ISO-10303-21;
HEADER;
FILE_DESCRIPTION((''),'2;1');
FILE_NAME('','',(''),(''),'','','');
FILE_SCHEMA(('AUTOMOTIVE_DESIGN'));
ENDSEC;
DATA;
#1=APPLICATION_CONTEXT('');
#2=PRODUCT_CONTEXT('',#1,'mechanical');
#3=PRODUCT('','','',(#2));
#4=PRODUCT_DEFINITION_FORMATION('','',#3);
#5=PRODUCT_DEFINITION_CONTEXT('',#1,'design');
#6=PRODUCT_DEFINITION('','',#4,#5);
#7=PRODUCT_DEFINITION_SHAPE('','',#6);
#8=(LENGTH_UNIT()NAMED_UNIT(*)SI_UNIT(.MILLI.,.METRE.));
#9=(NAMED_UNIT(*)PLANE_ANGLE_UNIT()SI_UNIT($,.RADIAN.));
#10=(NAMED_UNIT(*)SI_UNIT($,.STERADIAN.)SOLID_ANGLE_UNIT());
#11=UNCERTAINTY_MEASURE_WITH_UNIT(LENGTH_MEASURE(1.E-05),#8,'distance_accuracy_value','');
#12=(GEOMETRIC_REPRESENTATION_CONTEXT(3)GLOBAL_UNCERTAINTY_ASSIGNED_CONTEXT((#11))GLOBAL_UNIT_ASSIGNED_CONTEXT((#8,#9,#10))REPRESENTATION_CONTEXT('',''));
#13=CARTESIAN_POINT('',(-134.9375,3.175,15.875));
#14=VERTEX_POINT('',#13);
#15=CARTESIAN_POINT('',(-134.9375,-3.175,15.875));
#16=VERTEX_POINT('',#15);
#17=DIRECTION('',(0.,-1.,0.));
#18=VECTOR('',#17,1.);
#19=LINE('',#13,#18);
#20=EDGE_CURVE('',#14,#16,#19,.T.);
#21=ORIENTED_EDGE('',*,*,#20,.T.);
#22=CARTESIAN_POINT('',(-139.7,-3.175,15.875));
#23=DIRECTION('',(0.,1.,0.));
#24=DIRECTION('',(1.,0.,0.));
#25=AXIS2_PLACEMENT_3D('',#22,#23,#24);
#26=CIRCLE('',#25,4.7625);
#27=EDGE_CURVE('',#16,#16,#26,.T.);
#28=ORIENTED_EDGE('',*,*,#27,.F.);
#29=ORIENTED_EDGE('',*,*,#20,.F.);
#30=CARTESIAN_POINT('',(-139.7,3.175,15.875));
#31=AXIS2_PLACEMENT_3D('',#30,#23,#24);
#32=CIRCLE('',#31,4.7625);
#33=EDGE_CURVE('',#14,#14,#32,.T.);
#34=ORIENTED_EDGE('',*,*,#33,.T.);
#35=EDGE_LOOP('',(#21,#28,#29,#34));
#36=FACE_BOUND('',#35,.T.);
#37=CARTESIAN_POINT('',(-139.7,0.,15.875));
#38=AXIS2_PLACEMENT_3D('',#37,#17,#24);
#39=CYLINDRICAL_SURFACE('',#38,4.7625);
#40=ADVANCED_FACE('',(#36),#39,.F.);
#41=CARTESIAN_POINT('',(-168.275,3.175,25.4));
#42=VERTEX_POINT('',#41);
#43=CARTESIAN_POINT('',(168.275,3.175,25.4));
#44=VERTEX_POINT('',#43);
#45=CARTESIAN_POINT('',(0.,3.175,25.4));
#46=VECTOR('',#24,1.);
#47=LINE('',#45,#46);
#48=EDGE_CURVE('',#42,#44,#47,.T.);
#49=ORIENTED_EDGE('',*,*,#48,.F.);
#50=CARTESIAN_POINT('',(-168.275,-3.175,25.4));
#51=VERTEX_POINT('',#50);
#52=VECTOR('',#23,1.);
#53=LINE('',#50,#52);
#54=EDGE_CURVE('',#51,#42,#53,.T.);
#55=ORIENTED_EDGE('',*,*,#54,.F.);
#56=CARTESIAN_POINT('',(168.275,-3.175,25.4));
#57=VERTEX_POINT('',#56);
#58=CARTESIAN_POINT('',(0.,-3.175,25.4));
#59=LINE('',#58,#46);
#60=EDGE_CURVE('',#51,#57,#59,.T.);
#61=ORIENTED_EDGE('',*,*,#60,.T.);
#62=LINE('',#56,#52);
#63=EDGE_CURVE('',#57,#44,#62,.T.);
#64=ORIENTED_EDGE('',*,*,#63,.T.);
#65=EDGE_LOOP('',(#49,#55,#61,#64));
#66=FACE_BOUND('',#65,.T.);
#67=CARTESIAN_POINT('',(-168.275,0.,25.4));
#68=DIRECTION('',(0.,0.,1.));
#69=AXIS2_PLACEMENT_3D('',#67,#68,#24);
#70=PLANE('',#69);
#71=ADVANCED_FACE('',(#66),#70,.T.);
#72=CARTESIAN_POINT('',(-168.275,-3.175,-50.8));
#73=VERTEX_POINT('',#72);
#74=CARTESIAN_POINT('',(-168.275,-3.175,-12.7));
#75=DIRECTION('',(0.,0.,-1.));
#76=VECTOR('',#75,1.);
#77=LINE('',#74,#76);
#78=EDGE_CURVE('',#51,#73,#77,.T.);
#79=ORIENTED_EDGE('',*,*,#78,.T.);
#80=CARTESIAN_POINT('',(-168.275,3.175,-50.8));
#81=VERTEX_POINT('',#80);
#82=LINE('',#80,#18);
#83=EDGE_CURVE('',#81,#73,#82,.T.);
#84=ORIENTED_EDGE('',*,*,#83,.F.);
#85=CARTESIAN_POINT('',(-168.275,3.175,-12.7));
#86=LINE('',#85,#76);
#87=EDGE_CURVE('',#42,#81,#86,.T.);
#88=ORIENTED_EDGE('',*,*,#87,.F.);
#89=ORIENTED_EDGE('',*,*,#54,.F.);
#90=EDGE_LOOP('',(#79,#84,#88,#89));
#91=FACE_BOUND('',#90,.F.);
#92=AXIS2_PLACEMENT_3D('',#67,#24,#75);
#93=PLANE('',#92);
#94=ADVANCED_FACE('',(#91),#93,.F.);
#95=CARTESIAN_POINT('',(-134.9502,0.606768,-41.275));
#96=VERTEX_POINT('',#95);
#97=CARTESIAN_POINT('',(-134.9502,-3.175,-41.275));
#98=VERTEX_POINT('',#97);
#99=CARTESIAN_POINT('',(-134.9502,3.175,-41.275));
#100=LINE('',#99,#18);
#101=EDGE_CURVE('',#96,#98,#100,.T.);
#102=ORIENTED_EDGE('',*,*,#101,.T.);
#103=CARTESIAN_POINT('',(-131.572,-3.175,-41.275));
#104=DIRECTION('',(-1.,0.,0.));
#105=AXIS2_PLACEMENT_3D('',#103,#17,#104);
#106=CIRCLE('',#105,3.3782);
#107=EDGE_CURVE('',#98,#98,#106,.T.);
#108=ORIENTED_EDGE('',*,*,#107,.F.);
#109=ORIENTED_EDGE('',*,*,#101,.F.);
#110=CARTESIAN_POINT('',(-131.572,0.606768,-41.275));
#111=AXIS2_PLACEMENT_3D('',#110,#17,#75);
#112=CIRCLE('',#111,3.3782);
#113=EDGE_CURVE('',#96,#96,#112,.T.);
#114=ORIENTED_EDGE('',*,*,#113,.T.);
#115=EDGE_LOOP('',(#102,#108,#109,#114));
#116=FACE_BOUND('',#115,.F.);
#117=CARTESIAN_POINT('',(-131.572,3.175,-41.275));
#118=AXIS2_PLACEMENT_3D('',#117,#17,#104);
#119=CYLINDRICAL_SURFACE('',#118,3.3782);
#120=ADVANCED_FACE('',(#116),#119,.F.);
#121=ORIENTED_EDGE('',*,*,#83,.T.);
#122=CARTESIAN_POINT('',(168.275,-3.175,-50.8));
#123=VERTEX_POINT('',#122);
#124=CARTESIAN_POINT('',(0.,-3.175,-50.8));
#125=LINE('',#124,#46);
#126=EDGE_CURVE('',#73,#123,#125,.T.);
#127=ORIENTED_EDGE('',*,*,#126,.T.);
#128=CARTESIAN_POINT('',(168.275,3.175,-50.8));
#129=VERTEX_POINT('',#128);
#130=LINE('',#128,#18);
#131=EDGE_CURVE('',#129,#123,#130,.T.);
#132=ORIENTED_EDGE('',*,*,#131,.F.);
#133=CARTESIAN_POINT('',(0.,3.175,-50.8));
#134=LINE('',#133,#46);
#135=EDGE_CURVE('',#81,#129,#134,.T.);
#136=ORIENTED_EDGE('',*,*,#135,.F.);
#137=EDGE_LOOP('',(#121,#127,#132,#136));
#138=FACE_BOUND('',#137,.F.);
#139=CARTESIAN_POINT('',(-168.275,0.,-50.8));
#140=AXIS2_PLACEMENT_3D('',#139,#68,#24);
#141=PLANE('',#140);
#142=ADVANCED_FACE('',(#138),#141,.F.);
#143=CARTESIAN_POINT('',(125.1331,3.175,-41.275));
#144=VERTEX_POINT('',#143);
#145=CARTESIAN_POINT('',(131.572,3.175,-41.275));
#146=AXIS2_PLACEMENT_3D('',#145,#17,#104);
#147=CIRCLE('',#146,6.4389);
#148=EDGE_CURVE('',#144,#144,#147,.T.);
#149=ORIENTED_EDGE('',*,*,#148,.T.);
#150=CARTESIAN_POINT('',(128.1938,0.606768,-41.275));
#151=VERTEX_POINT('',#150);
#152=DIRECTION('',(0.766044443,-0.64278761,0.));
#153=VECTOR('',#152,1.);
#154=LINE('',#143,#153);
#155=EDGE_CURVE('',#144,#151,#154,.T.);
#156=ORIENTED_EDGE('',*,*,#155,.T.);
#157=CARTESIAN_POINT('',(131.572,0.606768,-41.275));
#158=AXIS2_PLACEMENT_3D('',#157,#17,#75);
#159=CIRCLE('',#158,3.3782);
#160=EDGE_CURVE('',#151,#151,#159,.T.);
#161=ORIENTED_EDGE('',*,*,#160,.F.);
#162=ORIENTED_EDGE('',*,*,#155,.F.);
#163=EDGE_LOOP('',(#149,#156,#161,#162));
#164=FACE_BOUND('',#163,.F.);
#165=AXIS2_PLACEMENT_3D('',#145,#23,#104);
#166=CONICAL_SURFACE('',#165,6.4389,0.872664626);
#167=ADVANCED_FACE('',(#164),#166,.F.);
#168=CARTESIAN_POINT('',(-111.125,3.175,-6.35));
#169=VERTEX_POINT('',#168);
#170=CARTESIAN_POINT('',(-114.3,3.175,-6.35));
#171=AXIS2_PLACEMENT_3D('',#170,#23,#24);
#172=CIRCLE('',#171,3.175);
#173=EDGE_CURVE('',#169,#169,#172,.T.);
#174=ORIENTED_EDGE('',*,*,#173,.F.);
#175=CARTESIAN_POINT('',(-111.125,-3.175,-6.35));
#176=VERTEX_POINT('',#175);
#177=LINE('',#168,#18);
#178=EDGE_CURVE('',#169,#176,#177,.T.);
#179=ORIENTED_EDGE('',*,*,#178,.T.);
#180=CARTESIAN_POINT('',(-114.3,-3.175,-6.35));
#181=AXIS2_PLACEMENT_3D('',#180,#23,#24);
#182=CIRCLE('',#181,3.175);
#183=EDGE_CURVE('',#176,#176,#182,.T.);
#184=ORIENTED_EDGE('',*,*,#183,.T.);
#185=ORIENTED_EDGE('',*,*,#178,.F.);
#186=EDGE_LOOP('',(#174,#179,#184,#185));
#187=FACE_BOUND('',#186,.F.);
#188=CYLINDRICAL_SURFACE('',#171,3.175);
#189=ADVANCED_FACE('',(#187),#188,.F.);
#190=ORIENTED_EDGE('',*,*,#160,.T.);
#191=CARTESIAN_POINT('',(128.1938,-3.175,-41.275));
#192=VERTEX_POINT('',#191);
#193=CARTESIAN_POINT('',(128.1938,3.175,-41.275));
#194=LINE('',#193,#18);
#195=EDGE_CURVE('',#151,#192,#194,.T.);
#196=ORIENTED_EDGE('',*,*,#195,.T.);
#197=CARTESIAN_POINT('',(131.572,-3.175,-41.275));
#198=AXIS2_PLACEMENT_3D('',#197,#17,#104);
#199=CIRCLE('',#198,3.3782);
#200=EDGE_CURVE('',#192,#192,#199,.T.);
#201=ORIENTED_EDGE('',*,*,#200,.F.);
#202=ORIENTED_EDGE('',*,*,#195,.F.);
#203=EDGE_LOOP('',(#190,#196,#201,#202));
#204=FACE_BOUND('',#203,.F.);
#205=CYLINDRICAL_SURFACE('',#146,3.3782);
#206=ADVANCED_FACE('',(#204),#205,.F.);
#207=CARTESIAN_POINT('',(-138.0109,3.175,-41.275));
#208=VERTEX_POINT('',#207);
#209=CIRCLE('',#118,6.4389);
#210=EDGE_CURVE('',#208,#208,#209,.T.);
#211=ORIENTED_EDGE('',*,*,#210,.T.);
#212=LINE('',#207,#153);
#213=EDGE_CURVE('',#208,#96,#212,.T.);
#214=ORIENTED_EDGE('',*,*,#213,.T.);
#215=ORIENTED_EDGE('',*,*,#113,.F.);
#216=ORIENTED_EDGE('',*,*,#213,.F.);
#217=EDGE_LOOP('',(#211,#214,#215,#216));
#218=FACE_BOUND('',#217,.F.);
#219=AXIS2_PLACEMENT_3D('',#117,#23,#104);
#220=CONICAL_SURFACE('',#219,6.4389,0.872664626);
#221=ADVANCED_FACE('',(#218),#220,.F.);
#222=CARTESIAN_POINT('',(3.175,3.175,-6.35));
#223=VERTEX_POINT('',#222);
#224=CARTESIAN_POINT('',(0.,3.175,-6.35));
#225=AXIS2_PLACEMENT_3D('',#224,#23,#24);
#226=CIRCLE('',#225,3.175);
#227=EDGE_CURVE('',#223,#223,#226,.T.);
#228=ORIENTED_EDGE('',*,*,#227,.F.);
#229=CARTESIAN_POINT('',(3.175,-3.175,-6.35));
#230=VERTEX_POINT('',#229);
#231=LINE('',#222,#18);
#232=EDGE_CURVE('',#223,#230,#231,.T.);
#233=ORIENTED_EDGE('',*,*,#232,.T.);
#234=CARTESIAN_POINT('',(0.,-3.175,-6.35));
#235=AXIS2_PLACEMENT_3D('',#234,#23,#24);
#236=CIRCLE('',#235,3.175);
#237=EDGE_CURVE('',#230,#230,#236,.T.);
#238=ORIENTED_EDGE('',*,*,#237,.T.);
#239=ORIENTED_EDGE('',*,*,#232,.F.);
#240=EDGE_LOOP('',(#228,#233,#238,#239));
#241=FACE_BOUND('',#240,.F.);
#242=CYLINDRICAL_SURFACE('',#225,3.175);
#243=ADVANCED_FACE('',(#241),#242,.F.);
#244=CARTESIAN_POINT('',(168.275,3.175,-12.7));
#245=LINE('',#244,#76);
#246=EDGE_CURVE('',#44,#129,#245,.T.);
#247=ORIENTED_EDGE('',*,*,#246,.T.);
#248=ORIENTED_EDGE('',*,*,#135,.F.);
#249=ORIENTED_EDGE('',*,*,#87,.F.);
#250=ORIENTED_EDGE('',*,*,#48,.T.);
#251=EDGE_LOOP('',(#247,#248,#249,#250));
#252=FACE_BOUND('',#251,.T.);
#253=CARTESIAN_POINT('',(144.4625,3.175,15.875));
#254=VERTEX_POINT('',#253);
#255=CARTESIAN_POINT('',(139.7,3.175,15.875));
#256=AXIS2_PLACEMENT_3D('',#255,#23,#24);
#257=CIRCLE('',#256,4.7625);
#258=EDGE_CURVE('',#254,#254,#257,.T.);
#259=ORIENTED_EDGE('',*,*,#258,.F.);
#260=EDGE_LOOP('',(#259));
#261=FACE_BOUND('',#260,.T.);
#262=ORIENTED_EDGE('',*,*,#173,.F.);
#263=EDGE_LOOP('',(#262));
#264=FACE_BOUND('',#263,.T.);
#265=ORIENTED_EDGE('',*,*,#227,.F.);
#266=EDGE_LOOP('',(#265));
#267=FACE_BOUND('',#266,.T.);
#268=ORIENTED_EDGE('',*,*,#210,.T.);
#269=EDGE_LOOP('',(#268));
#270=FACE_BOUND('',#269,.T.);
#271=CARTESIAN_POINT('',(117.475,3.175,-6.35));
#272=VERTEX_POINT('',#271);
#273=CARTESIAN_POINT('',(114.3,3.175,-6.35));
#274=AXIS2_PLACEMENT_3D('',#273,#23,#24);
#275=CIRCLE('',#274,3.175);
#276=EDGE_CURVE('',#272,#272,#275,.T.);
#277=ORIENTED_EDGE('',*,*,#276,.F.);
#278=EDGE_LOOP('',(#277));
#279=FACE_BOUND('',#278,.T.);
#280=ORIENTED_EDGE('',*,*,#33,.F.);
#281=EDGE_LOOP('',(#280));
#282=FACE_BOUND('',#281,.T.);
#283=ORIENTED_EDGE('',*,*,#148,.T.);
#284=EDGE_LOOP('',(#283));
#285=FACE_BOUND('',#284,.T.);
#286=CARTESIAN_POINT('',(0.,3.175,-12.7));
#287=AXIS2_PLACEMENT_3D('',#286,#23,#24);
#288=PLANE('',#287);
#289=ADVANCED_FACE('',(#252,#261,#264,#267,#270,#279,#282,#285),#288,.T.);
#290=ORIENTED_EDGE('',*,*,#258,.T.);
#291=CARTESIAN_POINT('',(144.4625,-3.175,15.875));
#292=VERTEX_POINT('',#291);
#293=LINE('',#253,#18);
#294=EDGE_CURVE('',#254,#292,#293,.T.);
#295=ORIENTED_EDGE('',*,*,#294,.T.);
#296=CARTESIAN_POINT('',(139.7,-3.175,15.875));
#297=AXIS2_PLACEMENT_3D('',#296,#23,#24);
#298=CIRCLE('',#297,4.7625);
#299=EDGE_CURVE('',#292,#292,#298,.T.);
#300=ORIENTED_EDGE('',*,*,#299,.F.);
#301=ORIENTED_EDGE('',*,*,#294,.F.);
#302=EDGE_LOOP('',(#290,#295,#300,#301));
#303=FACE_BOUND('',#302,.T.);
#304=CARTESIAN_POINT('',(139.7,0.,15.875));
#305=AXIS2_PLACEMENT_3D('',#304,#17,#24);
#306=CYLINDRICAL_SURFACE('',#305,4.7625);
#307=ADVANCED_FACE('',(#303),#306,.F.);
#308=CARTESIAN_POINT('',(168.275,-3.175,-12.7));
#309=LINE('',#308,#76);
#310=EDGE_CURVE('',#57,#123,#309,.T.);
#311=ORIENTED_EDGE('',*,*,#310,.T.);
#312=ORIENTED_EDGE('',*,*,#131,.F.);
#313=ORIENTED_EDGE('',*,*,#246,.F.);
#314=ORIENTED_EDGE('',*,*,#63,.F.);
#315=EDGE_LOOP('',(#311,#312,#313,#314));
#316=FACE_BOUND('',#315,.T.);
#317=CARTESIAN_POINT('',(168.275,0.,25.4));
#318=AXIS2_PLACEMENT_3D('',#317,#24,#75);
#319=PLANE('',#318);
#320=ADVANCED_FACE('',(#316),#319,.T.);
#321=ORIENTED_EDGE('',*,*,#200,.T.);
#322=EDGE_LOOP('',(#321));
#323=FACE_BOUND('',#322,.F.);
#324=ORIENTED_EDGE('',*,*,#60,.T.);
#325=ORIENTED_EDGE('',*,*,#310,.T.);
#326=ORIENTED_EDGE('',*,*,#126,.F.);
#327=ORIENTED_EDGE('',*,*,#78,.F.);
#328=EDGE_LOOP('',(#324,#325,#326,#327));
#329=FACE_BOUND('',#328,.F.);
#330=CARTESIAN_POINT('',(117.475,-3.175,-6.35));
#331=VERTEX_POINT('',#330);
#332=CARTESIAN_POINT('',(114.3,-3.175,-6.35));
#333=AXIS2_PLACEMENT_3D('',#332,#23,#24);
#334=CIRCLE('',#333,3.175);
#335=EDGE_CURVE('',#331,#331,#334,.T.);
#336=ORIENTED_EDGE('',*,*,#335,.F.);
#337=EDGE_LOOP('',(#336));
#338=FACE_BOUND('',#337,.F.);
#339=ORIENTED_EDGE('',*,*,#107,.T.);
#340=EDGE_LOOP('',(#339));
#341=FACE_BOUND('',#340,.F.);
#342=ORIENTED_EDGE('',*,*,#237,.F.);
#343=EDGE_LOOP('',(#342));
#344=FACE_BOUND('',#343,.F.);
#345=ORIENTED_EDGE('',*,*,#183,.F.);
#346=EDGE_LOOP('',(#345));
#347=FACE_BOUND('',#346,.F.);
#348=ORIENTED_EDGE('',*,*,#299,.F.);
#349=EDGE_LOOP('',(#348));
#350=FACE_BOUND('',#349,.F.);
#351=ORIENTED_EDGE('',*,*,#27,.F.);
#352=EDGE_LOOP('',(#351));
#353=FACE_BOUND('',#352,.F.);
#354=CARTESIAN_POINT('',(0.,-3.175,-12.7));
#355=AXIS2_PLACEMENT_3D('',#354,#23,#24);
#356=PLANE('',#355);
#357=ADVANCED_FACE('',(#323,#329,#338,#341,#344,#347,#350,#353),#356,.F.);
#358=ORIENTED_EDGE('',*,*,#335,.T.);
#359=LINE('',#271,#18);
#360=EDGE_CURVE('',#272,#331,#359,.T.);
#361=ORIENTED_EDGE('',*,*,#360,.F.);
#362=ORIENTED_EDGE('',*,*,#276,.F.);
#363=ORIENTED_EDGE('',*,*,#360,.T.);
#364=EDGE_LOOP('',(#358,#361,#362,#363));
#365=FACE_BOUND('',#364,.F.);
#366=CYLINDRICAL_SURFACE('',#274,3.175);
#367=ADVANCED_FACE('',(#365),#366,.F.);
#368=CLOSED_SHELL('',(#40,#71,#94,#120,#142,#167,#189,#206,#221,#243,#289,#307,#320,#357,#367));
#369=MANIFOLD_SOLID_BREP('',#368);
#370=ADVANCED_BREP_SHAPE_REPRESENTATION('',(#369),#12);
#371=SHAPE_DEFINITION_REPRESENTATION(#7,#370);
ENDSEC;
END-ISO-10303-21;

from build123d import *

# Parameters (mm, degrees)
SKETCH1_W                                           = 336.55
SKETCH1_H                                           = 76.2
SKETCH1_R                                           = 4.7625
SKETCH1_R_2                                         = 3.175
BOSS_EXTRUDE1_DEPTH                                 = 3.175
CSK_FOR_1_4_FLAT_HEAD_MACHINE_SCREW_100_D           = 6.7564
CSK_FOR_1_4_FLAT_HEAD_MACHINE_SCREW_100_CSINK_D     = 12.8778
CSK_FOR_1_4_FLAT_HEAD_MACHINE_SCREW_100_CSINK_ANGLE = 100
SKETCH5_R                                           = 3.175
CUT_EXTRUDE2_DEPTH                                  = 1
CUT_EXTRUDE2_DEPTH_BACK                             = 7.35


with BuildPart() as part:
    # Sketch1 → Boss-Extrude1 (new body, symmetric)
    with BuildSketch(Plane(origin=(0, 0, 0), x_dir=(1, 0, 0), z_dir=(0, 1, 0))):
        with Locations((0, 12.7)):
            Rectangle(SKETCH1_W, SKETCH1_H)
        with Locations((-139.7, -15.875)):
            Circle(SKETCH1_R, mode=Mode.SUBTRACT)
        with Locations((139.7, -15.875)):
            Circle(SKETCH1_R, mode=Mode.SUBTRACT)
        with Locations((131.572, 41.275)):
            Circle(SKETCH1_R_2, mode=Mode.SUBTRACT)
        with Locations((-131.572, 41.275)):
            Circle(SKETCH1_R_2, mode=Mode.SUBTRACT)
    extrude(amount=BOSS_EXTRUDE1_DEPTH, both=True)

    # CSK for 1/4 Flat Head Machine Screw (100)1 (through all)
    with Locations(Plane(origin=(0, 3.175, 0), x_dir=(1, 0, 0), z_dir=(0, 1, 0))):
        with Locations((-131.572, 41.275), (131.572, 41.275)):
            CounterSinkHole(CSK_FOR_1_4_FLAT_HEAD_MACHINE_SCREW_100_D / 2, CSK_FOR_1_4_FLAT_HEAD_MACHINE_SCREW_100_CSINK_D / 2, counter_sink_angle=CSK_FOR_1_4_FLAT_HEAD_MACHINE_SCREW_100_CSINK_ANGLE)

    # Sketch5 → Cut-Extrude2 (cut, two sides)
    with BuildSketch(Plane(origin=(0, 3.175, 0), x_dir=(1, 0, 0), z_dir=(0, 1, 0))) as cut_extrude2_sk:
        with Locations((-114.3, 6.35)):
            Circle(SKETCH5_R)
        with Locations((114.3, 6.35)):
            Circle(SKETCH5_R)
        with Locations((0, 6.35)):
            Circle(SKETCH5_R)
    extrude(amount=CUT_EXTRUDE2_DEPTH, mode=Mode.SUBTRACT)
    extrude(cut_extrude2_sk.sketch, amount=-CUT_EXTRUDE2_DEPTH_BACK, mode=Mode.SUBTRACT)


solid = part.part
